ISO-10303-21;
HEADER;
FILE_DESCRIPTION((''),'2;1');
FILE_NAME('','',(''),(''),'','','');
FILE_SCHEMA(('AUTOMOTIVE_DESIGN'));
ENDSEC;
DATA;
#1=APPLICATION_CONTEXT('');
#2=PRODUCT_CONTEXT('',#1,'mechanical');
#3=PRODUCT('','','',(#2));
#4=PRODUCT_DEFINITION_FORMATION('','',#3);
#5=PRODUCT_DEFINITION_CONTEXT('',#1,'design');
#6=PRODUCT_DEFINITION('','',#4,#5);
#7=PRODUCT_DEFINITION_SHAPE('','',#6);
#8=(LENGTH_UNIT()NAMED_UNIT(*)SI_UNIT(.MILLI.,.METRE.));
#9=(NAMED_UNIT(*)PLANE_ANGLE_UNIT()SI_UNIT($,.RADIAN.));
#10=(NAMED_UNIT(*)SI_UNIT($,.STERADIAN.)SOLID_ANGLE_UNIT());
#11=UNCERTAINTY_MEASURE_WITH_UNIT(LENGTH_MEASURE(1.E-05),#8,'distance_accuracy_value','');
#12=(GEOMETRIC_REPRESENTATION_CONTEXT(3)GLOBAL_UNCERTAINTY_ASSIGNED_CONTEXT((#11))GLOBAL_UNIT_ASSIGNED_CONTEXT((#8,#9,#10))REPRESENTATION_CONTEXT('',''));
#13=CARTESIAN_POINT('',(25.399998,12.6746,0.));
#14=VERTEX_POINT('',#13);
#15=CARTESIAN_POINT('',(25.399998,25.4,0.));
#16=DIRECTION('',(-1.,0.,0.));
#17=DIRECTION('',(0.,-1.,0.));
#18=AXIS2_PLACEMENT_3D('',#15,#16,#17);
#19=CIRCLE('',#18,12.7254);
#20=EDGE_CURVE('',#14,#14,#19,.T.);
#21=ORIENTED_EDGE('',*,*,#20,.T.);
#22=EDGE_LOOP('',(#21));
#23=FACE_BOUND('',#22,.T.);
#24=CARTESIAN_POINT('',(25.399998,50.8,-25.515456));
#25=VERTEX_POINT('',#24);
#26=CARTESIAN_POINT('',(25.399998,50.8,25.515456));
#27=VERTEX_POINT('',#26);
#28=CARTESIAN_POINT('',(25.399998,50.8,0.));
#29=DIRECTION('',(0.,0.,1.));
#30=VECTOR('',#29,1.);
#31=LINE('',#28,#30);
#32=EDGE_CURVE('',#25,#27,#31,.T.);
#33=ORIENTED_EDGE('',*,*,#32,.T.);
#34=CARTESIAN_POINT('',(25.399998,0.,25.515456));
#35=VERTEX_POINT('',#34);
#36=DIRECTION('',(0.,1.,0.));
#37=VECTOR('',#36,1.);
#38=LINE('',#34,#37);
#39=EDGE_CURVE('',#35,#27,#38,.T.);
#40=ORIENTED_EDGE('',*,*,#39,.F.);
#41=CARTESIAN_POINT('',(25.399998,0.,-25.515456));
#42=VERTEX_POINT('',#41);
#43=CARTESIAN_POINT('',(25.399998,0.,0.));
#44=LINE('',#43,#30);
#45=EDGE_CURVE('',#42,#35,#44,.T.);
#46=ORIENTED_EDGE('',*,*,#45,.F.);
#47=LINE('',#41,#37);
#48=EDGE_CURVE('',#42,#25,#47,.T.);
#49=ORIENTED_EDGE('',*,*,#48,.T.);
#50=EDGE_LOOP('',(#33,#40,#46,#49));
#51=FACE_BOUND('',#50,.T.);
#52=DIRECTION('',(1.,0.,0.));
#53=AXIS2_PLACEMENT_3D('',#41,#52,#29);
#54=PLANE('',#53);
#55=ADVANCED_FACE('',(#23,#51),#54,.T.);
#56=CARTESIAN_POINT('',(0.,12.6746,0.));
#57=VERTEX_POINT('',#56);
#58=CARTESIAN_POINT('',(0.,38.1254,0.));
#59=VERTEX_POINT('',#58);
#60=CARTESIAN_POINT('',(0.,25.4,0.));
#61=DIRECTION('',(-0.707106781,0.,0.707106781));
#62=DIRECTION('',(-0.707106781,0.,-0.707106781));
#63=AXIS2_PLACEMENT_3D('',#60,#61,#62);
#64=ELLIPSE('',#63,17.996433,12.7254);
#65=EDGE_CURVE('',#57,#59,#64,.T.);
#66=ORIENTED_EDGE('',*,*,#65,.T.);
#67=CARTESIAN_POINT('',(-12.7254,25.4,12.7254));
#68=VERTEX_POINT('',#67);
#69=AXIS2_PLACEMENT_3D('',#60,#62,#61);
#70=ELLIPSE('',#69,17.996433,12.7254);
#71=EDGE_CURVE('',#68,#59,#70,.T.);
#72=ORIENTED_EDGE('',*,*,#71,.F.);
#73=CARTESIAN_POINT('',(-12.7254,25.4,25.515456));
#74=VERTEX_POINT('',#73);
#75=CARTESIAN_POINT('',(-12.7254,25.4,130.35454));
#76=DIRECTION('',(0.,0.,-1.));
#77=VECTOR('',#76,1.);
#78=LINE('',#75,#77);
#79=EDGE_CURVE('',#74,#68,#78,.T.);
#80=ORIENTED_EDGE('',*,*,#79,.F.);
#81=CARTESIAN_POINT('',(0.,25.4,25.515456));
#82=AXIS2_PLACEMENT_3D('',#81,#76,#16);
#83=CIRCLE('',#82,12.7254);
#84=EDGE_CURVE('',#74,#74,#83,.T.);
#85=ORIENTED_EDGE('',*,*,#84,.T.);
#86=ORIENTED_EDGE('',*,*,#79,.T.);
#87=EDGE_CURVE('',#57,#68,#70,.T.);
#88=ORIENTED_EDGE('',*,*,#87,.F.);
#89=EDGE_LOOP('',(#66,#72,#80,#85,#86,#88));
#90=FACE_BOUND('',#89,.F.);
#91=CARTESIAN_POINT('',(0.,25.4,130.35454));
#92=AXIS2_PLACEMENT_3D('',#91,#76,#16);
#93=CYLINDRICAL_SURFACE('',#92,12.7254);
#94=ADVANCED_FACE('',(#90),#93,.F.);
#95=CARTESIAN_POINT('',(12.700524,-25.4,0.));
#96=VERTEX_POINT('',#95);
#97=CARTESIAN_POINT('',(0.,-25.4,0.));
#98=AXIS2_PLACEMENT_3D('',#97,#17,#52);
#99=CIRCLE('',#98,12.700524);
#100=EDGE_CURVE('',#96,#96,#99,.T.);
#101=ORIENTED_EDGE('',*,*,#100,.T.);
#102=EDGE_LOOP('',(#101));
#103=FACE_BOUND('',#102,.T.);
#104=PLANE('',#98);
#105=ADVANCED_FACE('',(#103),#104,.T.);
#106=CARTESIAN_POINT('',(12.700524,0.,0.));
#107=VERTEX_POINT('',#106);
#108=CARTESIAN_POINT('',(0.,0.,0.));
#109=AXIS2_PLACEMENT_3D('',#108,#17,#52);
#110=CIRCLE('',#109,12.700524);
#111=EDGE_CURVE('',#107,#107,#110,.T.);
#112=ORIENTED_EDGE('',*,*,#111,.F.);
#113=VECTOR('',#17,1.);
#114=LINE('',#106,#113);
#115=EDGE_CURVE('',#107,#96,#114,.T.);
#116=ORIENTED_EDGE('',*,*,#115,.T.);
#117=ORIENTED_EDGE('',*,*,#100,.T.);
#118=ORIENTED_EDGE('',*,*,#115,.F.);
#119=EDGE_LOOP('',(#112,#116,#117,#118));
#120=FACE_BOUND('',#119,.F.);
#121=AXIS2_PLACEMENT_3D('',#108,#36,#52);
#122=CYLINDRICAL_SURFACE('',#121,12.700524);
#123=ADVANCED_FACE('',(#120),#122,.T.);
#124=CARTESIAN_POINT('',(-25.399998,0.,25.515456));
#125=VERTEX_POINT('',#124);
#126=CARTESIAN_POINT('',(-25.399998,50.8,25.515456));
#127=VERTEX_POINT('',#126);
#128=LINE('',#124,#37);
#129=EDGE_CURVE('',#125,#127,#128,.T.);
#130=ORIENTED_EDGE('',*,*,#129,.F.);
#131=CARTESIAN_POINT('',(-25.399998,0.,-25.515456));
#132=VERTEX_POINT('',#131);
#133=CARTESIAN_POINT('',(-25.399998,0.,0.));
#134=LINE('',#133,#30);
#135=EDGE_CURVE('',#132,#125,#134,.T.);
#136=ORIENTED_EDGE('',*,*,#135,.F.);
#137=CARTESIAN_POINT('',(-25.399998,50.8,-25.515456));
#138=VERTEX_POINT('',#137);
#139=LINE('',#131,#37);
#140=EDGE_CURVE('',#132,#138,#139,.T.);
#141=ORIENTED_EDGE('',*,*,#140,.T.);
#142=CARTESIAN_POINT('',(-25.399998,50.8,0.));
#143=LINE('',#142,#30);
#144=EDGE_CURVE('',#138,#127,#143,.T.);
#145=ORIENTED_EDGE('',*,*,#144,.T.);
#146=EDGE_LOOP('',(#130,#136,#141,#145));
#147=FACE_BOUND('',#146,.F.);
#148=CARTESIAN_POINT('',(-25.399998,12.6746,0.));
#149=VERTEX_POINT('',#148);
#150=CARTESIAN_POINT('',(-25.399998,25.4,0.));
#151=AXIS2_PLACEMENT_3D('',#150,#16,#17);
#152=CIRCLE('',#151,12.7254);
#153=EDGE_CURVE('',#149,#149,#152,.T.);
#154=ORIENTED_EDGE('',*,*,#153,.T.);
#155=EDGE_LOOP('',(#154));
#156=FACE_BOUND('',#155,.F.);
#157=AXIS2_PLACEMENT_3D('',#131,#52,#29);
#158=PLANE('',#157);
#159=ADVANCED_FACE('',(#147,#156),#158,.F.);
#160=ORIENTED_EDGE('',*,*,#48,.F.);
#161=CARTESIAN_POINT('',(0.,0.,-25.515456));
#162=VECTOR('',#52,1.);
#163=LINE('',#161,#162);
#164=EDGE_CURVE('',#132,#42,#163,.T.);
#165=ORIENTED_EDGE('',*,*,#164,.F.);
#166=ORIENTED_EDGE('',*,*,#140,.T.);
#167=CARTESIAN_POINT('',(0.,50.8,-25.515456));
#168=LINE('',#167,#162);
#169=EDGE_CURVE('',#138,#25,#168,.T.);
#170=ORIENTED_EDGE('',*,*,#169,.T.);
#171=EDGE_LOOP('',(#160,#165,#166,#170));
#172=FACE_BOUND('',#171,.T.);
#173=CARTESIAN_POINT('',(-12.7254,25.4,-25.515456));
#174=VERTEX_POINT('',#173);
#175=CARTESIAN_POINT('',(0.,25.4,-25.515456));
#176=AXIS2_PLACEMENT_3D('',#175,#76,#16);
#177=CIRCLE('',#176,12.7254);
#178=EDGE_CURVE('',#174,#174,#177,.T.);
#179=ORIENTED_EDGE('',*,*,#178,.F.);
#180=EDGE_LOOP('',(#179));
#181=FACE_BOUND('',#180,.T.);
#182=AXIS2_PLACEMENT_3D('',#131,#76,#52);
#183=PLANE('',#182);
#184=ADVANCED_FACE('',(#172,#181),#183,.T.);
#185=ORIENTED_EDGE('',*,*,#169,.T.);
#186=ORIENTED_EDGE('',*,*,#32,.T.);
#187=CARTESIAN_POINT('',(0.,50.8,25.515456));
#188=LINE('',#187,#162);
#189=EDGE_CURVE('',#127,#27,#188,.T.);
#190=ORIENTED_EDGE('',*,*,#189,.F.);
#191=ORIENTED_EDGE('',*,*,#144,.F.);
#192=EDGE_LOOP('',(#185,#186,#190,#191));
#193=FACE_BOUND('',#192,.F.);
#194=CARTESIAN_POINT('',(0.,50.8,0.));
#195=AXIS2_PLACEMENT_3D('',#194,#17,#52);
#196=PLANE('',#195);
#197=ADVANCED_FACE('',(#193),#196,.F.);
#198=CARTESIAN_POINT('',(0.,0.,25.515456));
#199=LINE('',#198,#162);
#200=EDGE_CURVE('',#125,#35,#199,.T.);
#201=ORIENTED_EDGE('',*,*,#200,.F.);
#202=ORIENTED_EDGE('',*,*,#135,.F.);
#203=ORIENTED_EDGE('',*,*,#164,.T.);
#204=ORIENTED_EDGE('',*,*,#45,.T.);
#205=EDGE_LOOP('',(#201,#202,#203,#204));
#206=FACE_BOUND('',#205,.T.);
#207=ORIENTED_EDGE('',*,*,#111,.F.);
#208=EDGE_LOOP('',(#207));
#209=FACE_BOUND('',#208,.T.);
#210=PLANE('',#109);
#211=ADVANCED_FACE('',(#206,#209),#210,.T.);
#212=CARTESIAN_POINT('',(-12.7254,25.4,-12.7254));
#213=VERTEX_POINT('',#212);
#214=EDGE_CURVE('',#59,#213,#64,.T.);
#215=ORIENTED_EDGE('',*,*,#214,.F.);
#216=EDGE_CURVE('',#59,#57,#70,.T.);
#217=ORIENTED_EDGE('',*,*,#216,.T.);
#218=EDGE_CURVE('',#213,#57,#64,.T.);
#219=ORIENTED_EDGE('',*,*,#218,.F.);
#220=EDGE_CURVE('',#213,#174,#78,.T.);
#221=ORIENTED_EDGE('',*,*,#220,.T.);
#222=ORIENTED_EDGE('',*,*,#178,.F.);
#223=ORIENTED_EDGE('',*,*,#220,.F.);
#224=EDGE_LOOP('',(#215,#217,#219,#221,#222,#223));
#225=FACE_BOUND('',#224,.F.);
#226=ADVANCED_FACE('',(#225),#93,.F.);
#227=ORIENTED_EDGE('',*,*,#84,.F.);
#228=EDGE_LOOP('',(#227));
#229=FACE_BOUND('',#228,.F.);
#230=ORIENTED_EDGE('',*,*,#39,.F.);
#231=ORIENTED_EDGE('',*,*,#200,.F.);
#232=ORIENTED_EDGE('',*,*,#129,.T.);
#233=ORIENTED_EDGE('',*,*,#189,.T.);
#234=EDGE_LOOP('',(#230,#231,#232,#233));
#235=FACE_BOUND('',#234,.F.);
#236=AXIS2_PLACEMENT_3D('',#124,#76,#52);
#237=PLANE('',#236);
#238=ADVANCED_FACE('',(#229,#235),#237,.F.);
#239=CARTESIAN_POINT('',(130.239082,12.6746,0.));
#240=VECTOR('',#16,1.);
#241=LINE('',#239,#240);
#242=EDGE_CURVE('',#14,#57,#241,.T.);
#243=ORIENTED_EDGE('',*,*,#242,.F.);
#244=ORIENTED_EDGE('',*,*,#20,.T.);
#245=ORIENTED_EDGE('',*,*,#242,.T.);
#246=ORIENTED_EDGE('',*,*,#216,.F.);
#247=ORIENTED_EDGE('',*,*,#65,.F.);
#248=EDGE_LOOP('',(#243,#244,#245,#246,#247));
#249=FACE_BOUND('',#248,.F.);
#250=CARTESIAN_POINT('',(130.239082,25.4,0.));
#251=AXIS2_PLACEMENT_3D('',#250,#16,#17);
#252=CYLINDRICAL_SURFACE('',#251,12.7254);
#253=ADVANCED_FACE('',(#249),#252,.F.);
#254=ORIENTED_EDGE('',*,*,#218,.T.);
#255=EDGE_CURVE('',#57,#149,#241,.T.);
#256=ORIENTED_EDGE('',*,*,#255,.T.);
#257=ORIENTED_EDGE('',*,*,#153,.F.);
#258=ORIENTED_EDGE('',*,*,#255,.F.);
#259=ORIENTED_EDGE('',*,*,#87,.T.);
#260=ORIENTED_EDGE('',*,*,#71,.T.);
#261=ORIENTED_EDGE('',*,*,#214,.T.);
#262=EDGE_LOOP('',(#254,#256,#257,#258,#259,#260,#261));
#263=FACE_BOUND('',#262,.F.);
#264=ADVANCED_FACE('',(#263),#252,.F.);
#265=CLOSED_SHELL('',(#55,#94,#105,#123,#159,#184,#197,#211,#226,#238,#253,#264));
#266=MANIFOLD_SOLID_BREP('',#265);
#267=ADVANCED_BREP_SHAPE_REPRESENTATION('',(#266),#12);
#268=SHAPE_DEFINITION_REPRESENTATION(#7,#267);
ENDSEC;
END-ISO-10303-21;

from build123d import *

# Parameters (mm, degrees)
F1_R     = 12.700524
F2_DEPTH = 25.4
F0_W     = 50.799996
F0_H     = 51.030912
F3_DEPTH = 50.8
F5_D     = 25.4508
F7_D     = 25.4508


with BuildPart() as f2:
    # F1 (on Front) → F2 (new body)
    with BuildSketch(Plane.XZ):
        Circle(F1_R)
    extrude(amount=F2_DEPTH)

    # F0 (on Front) → F3 (join)
    with BuildSketch(Plane.XZ):
        Rectangle(F0_W, F0_H)
    extrude(amount=-F3_DEPTH)

    # F5 (through all)
    with Locations(Plane.YZ.offset(25.399998)):
        with Locations((25.4, 0)):
            Hole(F5_D / 2)

    # F7 (through all)
    with Locations(Plane.XY.offset(25.515456)):
        with Locations((0, 25.4)):
            Hole(F7_D / 2)


solid = f2.part
